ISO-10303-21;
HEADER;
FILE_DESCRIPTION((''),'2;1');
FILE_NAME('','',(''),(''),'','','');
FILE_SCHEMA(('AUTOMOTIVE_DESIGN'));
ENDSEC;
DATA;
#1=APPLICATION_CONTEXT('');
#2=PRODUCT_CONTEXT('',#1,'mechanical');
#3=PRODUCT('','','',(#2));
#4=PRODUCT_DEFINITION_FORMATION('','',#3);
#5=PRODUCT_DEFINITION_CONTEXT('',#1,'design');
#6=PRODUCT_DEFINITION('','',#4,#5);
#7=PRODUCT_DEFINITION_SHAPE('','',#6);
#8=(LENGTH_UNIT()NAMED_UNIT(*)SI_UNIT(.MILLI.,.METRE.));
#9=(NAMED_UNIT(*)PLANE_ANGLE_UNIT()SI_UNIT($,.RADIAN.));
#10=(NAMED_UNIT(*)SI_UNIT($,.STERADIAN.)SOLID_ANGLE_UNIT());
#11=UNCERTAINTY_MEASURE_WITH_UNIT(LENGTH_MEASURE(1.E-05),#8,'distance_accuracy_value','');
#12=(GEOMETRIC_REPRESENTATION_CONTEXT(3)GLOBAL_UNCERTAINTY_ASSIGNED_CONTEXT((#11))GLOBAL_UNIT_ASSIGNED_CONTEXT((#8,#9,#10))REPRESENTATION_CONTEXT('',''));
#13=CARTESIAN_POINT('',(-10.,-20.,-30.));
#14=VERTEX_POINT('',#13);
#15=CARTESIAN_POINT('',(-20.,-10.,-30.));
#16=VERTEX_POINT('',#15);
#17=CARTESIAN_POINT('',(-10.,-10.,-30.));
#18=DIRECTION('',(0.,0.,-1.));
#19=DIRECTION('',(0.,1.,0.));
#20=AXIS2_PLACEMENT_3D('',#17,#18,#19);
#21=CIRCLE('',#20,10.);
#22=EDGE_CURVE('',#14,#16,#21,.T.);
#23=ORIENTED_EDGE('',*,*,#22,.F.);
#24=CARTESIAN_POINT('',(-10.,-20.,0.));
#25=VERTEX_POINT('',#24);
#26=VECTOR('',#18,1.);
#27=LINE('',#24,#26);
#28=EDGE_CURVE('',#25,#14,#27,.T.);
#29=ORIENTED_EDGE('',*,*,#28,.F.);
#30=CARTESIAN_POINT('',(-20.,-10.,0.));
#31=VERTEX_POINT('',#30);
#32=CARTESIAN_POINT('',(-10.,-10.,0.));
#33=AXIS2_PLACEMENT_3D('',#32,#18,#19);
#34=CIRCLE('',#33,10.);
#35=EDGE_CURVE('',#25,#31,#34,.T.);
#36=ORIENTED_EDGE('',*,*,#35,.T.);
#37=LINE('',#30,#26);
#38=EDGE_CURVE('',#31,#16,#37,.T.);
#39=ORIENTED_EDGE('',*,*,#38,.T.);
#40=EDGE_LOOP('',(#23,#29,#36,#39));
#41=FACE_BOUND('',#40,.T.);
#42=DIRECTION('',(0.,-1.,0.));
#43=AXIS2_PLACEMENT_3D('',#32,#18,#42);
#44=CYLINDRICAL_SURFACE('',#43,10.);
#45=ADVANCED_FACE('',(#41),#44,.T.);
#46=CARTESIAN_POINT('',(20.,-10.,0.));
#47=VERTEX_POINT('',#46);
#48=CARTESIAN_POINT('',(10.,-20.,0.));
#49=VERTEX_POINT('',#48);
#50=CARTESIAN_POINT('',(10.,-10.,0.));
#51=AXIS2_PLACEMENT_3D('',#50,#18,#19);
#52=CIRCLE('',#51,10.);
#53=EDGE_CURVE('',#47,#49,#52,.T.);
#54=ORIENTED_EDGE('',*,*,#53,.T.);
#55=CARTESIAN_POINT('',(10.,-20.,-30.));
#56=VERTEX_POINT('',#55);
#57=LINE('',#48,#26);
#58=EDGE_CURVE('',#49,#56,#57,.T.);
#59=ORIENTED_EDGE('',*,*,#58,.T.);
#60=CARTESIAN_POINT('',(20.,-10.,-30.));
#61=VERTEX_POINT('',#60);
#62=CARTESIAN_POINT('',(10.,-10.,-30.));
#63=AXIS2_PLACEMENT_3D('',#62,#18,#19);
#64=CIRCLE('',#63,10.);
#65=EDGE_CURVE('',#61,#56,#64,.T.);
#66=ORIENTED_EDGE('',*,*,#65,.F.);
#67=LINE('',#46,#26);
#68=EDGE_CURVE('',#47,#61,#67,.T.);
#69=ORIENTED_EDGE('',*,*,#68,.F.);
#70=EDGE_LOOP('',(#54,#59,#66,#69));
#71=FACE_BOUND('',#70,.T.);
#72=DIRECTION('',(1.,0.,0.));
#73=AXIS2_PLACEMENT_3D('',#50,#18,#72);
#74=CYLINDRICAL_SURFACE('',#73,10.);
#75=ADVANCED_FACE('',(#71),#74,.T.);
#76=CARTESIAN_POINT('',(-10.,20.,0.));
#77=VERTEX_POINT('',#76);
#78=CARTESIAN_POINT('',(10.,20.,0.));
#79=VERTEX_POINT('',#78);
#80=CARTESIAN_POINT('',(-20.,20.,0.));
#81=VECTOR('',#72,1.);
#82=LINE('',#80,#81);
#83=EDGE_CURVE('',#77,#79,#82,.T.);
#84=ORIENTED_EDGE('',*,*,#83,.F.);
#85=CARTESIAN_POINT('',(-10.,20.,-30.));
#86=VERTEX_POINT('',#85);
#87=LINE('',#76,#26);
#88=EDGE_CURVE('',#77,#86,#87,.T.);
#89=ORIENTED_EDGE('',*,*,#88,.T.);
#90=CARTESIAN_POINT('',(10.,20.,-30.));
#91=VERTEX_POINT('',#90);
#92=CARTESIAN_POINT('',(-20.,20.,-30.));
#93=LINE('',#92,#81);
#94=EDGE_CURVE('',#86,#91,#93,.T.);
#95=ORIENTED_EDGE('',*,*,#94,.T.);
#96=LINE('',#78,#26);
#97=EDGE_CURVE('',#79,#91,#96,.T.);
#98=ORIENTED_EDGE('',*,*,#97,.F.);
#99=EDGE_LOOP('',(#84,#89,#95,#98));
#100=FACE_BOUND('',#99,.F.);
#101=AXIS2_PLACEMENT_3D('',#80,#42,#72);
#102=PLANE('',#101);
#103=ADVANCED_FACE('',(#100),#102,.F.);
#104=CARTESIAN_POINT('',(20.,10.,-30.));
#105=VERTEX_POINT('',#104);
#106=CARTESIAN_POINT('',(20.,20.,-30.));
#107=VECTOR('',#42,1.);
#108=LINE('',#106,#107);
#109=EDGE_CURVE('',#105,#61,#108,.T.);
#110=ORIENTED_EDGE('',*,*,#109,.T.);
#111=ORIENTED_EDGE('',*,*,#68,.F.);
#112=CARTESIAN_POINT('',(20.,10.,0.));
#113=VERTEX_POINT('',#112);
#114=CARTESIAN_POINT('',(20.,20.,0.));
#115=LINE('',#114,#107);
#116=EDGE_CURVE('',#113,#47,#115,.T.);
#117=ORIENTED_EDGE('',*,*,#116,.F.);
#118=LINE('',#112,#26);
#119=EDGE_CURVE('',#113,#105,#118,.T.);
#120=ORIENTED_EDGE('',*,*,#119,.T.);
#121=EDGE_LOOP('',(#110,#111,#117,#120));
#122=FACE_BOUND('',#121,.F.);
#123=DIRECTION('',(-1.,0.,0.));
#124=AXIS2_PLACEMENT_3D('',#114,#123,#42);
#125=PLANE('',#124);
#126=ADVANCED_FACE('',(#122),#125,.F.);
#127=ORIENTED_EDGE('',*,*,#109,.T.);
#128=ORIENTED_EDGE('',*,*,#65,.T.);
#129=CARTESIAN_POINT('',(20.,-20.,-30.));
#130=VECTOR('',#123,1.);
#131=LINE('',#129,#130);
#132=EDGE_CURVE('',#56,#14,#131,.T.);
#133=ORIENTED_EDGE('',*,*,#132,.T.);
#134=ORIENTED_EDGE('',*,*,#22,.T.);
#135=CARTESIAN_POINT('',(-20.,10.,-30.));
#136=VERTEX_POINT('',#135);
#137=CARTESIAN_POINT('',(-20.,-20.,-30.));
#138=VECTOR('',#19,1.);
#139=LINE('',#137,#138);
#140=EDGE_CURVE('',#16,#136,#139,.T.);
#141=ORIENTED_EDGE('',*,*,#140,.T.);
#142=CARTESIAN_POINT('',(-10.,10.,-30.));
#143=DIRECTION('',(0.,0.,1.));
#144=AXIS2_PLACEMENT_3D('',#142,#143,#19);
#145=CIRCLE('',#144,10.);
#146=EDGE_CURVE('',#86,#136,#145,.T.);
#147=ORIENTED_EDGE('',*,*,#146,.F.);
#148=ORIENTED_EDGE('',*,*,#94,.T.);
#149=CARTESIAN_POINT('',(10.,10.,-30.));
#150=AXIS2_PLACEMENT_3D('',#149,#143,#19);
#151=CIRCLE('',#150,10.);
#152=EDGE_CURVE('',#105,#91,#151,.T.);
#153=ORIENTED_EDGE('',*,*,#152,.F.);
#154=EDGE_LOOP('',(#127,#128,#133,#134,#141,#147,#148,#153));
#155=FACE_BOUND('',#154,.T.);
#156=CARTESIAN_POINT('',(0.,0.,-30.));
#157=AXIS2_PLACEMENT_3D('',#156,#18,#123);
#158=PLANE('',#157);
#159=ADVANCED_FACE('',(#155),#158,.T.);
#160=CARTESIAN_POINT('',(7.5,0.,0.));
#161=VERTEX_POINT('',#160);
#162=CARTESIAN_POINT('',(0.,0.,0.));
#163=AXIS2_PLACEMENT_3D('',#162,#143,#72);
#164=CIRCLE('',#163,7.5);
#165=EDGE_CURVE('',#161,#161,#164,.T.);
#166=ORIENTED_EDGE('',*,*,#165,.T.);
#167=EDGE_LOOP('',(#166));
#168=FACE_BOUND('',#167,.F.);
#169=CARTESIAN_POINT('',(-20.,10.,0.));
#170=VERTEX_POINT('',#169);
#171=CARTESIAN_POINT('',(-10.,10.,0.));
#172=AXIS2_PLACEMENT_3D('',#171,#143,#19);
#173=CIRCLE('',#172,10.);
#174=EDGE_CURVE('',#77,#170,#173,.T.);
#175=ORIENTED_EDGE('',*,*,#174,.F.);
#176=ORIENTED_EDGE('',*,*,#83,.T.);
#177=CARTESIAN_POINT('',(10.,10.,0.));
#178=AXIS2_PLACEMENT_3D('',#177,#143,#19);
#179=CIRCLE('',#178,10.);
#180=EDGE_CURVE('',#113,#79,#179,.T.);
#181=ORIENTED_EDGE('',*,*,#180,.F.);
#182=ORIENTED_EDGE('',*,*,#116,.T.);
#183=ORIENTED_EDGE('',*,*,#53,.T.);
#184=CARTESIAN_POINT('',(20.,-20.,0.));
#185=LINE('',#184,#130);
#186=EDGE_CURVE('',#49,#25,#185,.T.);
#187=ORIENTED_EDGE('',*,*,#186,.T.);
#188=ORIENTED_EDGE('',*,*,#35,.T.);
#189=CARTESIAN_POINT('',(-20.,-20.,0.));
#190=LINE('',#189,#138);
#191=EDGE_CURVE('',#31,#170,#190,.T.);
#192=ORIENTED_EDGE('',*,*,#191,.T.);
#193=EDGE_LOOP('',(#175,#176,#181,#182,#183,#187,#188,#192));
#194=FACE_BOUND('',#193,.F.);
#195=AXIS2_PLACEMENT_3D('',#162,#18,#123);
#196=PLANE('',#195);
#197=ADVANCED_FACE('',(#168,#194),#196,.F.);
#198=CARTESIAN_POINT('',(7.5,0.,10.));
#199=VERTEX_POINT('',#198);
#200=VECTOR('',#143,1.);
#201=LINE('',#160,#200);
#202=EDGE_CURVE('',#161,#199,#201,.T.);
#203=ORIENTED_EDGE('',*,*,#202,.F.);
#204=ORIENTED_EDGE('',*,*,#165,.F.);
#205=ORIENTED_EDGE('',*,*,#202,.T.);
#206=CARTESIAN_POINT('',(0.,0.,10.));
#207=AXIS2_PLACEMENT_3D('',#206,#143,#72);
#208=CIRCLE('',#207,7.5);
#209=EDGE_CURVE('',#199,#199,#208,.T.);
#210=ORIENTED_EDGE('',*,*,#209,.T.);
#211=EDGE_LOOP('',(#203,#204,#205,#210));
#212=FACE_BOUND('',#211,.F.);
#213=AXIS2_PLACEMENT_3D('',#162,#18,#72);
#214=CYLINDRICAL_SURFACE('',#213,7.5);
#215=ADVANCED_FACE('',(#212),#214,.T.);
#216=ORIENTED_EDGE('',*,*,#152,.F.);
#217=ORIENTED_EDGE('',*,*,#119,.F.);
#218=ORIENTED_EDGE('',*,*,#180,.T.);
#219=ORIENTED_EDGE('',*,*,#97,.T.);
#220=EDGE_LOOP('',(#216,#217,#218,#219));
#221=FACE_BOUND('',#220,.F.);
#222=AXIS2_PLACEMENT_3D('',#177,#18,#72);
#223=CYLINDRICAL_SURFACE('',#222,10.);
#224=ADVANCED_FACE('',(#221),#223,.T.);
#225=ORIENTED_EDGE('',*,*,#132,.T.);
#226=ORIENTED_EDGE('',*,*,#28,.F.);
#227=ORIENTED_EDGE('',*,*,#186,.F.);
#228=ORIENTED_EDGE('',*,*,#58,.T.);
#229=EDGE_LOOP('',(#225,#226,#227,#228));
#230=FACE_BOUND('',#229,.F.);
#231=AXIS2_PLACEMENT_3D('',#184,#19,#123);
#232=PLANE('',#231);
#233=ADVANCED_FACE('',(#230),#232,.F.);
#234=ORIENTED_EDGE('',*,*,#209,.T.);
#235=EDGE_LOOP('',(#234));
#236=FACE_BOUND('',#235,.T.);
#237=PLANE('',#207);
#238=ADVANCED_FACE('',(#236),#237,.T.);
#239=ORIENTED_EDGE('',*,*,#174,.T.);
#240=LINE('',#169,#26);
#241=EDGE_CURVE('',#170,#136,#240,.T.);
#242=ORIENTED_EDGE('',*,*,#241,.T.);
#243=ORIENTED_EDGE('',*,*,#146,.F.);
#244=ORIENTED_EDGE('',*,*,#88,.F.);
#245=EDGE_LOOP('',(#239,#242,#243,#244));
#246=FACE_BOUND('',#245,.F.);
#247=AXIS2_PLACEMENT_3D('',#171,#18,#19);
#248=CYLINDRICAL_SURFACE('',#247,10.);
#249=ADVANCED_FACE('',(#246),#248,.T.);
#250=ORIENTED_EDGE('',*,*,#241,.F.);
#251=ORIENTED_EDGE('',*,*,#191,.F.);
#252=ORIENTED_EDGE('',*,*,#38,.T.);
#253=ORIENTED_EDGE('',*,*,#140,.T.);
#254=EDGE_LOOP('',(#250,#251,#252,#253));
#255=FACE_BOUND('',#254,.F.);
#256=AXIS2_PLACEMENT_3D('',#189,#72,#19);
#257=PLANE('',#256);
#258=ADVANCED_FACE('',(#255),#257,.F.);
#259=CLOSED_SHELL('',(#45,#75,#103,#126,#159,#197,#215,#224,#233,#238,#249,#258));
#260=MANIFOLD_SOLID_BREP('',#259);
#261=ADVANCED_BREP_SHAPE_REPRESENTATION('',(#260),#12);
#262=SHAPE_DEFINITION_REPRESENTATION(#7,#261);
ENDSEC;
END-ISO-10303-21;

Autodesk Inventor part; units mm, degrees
ref_plane "YZ Plane" through (0, 0, 0) normal (1, 0, 0) x (0, 1, 0)
ref_plane "XZ Plane" through (0, 0, 0) normal (0, 1, 0) x (-1, 0, 0)
ref_plane "XY Plane" through (0, 0, 0) normal (0, 0, 1) x (1, 0, 0)
sketch "Sketch1" plane through (0, 0, 0) normal (0, 0, 1) x (1, 0, 0)
  circle A0 centre (0, 0) radius 7.5
  dimension "d0" = 15
extrude "Extrusion1" add sketch "Sketch1" along normal blind 10
sketch "Sketch2" plane through (0, 0, 0) normal (0, 0, -1) x (-1, 0, 0)
  line L0 (-20, -20) -> (20, -20)
  line L1 (20, -20) -> (20, 20)
  line L2 (20, 20) -> (-20, 20)
  line L3 (-20, 20) -> (-20, -20)
  line L4 (-20, -20) -> (20, 20) construction
  line L5 (20, -20) -> (-20, 20) construction
  point P0 (0, 0)
  dimension "d3" = 40
  dimension "d4" = 40
extrude "Extrusion2" add sketch "Sketch2" along normal blind 30
fillet "Fillet1" radius 10 4 edges at (-20, 20, -15) (-20, -20, -15) (20, -20, -15) (20, 20, -15)
equation "\"d4\" = d3"
properties part number "MotorEslabon" material "Steel"
